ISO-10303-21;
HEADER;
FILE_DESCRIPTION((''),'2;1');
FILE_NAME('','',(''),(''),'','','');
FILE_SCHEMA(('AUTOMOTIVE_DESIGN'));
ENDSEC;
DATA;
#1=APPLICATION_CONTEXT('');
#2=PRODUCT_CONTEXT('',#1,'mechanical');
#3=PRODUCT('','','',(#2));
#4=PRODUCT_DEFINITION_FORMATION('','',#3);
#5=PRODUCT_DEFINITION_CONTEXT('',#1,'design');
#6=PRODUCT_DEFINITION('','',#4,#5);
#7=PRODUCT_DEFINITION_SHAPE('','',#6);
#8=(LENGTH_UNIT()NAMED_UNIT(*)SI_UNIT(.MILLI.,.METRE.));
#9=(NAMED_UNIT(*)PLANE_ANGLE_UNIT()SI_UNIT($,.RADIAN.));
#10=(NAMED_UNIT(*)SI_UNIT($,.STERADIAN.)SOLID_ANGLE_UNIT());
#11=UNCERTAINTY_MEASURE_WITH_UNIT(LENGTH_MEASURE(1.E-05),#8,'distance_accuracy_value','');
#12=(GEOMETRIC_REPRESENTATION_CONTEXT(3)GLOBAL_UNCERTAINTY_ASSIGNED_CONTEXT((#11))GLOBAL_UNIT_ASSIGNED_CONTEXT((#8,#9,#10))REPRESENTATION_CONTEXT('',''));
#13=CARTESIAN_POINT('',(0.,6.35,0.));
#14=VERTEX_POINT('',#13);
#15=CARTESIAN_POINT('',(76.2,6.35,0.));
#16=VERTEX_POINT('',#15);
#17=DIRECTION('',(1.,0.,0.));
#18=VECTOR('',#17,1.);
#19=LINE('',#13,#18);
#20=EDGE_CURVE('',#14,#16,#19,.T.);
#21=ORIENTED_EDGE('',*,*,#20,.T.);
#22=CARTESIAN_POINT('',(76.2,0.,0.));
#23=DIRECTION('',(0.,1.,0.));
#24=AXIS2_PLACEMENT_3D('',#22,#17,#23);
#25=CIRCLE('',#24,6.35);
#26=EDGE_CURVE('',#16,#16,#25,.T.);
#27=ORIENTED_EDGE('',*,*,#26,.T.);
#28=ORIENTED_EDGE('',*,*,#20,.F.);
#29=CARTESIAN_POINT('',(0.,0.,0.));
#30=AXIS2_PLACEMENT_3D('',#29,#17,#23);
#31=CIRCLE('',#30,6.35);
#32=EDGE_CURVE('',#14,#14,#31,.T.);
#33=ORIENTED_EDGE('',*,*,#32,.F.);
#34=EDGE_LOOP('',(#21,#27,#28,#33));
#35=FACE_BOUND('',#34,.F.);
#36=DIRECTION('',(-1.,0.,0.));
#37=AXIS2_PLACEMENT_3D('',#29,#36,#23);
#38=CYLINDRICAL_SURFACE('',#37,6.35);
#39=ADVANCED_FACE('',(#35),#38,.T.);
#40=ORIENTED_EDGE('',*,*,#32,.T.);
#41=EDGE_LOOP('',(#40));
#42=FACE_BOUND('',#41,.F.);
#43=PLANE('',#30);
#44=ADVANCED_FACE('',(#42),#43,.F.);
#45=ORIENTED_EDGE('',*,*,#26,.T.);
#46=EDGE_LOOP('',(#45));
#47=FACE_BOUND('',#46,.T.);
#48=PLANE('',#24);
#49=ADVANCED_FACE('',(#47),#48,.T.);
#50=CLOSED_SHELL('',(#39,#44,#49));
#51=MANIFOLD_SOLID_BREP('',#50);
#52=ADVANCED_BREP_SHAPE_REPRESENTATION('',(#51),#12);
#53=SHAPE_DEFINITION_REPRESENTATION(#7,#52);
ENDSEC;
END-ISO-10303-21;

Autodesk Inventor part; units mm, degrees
ref_plane "YZ Plane" through (0, 0, 0) normal (1, 0, 0) x (0, 1, 0)
ref_plane "XZ Plane" through (0, 0, 0) normal (0, 1, 0) x (-1, 0, 0)
ref_plane "XY Plane" through (0, 0, 0) normal (0, 0, 1) x (1, 0, 0)
sketch "Sketch1" plane through (0, 0, 0) normal (1, 0, 0) x (0, 1, 0)
  circle A0 centre (0, 0) radius 6.35
  dimension "d0" = 12.7
extrude "Extrusion1" add sketch "Sketch1" along normal blind 76.2
properties part number "OneHalfInchAxel"
